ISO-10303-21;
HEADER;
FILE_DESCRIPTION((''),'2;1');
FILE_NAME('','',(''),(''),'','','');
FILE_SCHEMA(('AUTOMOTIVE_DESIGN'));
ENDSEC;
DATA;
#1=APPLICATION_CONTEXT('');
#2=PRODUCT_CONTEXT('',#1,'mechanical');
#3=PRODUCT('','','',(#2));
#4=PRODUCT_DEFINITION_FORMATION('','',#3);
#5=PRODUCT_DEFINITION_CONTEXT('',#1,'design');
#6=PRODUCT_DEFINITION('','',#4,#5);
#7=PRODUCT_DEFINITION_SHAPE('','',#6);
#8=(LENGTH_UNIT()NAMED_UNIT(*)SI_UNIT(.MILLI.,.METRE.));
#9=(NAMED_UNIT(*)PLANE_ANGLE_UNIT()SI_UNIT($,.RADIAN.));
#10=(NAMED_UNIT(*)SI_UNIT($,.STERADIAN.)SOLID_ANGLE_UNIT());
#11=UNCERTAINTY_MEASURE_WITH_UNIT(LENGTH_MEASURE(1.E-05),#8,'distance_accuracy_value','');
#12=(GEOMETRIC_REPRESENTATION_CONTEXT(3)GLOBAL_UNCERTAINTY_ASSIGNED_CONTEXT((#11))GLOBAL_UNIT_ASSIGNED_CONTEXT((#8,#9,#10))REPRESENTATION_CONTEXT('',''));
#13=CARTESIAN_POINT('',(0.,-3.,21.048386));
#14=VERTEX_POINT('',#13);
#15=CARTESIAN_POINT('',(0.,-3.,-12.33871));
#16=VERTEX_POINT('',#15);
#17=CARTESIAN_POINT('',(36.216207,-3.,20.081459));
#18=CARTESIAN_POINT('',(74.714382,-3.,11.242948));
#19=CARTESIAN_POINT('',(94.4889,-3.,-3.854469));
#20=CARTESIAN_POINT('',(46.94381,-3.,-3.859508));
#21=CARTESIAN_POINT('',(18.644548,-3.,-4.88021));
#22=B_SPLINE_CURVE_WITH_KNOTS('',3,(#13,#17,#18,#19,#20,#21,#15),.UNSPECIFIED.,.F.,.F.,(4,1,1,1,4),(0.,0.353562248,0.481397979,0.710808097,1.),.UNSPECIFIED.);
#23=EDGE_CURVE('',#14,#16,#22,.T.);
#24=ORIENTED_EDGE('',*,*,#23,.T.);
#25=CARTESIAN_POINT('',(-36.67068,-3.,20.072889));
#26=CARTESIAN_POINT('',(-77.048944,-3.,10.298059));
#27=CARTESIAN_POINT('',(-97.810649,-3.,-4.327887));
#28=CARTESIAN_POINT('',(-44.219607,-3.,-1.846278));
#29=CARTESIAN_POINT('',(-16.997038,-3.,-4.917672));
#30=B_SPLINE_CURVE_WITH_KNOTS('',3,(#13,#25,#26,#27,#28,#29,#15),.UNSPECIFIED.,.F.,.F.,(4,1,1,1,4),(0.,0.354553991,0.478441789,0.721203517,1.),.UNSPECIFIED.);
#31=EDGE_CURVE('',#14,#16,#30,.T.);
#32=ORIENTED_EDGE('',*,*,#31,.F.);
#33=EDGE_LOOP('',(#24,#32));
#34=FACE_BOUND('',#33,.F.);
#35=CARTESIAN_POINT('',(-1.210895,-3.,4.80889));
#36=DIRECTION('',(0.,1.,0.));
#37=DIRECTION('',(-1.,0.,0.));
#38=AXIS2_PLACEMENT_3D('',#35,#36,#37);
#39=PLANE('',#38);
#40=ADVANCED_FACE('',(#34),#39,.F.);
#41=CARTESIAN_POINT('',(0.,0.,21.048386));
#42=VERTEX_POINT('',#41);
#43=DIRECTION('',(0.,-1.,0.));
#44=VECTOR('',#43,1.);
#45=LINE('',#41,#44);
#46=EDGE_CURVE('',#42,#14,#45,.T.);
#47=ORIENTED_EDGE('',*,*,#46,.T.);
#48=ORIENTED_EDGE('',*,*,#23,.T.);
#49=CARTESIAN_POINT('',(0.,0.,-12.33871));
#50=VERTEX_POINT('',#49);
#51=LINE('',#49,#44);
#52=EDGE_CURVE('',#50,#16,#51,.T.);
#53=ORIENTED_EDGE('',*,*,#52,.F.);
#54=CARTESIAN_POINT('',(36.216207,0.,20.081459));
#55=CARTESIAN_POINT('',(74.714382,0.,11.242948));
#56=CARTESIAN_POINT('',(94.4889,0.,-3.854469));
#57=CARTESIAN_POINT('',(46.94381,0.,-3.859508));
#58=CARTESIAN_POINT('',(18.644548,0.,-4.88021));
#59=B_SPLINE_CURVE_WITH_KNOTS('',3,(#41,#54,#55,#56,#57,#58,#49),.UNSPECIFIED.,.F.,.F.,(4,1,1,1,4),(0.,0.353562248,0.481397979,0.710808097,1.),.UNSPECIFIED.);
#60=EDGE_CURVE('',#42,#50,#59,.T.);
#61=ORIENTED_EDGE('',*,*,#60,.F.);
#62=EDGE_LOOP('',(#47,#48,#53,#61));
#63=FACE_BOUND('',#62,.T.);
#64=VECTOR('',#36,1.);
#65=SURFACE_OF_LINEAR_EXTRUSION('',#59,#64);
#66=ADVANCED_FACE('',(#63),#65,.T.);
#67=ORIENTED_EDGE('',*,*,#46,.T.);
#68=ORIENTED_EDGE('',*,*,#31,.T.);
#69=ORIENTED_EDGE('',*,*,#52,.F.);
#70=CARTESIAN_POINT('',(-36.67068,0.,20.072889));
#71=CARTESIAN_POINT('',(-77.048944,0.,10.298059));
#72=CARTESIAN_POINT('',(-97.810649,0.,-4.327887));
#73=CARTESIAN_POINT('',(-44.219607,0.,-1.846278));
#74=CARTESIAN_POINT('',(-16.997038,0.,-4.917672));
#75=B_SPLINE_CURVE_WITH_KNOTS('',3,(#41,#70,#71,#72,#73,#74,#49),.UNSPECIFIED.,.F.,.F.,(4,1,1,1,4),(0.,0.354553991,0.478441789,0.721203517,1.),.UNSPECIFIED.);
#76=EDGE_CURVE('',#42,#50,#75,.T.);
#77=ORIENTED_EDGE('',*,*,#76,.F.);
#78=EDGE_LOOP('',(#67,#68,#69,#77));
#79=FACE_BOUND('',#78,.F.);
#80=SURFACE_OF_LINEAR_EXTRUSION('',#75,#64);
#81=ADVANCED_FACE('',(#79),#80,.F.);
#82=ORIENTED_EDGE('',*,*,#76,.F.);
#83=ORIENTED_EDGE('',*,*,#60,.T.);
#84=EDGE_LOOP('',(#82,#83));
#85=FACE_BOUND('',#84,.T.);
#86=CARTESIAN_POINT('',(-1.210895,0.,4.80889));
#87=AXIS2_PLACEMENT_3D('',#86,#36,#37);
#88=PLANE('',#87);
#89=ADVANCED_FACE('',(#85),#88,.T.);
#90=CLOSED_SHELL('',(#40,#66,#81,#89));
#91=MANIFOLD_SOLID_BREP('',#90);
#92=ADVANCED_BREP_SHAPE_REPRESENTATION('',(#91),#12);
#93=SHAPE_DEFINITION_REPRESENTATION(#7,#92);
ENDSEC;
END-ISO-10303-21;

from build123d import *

# Parameters (mm, degrees)
F1_DEPTH = 3


with BuildPart() as f1:
    # F0 (on Front) → F1 (new body)
    with BuildSketch(Plane.XZ):
        with BuildLine():
            add(Edge.make_bspline(
                [(0, 21.0483856499), (36.2162065975, 20.0814587553), (74.7143821988, 11.2429480236), (94.4888996782, -3.854469111), (46.9438099096, -3.8595081741), (18.6445481272, -4.8802098668), (0, -12.3387100175)],
                knots=[0, 0, 0, 0, 0.3535622479, 0.4813979793, 0.7108080973, 1, 1, 1, 1], degree=3))
            add(Edge.make_bspline(
                [(0, 21.0483856499), (-36.6706796225, 20.0728894225), (-77.0489443035, 10.2980585125), (-97.8106487007, -4.3278873534), (-44.2196067106, -1.8462784204), (-16.9970384409, -4.917671701), (0, -12.3387100175)],
                knots=[0, 0, 0, 0, 0.3545539907, 0.4784417888, 0.7212035167, 1, 1, 1, 1], degree=3))
        make_face()
    extrude(amount=F1_DEPTH)


solid = f1.part
